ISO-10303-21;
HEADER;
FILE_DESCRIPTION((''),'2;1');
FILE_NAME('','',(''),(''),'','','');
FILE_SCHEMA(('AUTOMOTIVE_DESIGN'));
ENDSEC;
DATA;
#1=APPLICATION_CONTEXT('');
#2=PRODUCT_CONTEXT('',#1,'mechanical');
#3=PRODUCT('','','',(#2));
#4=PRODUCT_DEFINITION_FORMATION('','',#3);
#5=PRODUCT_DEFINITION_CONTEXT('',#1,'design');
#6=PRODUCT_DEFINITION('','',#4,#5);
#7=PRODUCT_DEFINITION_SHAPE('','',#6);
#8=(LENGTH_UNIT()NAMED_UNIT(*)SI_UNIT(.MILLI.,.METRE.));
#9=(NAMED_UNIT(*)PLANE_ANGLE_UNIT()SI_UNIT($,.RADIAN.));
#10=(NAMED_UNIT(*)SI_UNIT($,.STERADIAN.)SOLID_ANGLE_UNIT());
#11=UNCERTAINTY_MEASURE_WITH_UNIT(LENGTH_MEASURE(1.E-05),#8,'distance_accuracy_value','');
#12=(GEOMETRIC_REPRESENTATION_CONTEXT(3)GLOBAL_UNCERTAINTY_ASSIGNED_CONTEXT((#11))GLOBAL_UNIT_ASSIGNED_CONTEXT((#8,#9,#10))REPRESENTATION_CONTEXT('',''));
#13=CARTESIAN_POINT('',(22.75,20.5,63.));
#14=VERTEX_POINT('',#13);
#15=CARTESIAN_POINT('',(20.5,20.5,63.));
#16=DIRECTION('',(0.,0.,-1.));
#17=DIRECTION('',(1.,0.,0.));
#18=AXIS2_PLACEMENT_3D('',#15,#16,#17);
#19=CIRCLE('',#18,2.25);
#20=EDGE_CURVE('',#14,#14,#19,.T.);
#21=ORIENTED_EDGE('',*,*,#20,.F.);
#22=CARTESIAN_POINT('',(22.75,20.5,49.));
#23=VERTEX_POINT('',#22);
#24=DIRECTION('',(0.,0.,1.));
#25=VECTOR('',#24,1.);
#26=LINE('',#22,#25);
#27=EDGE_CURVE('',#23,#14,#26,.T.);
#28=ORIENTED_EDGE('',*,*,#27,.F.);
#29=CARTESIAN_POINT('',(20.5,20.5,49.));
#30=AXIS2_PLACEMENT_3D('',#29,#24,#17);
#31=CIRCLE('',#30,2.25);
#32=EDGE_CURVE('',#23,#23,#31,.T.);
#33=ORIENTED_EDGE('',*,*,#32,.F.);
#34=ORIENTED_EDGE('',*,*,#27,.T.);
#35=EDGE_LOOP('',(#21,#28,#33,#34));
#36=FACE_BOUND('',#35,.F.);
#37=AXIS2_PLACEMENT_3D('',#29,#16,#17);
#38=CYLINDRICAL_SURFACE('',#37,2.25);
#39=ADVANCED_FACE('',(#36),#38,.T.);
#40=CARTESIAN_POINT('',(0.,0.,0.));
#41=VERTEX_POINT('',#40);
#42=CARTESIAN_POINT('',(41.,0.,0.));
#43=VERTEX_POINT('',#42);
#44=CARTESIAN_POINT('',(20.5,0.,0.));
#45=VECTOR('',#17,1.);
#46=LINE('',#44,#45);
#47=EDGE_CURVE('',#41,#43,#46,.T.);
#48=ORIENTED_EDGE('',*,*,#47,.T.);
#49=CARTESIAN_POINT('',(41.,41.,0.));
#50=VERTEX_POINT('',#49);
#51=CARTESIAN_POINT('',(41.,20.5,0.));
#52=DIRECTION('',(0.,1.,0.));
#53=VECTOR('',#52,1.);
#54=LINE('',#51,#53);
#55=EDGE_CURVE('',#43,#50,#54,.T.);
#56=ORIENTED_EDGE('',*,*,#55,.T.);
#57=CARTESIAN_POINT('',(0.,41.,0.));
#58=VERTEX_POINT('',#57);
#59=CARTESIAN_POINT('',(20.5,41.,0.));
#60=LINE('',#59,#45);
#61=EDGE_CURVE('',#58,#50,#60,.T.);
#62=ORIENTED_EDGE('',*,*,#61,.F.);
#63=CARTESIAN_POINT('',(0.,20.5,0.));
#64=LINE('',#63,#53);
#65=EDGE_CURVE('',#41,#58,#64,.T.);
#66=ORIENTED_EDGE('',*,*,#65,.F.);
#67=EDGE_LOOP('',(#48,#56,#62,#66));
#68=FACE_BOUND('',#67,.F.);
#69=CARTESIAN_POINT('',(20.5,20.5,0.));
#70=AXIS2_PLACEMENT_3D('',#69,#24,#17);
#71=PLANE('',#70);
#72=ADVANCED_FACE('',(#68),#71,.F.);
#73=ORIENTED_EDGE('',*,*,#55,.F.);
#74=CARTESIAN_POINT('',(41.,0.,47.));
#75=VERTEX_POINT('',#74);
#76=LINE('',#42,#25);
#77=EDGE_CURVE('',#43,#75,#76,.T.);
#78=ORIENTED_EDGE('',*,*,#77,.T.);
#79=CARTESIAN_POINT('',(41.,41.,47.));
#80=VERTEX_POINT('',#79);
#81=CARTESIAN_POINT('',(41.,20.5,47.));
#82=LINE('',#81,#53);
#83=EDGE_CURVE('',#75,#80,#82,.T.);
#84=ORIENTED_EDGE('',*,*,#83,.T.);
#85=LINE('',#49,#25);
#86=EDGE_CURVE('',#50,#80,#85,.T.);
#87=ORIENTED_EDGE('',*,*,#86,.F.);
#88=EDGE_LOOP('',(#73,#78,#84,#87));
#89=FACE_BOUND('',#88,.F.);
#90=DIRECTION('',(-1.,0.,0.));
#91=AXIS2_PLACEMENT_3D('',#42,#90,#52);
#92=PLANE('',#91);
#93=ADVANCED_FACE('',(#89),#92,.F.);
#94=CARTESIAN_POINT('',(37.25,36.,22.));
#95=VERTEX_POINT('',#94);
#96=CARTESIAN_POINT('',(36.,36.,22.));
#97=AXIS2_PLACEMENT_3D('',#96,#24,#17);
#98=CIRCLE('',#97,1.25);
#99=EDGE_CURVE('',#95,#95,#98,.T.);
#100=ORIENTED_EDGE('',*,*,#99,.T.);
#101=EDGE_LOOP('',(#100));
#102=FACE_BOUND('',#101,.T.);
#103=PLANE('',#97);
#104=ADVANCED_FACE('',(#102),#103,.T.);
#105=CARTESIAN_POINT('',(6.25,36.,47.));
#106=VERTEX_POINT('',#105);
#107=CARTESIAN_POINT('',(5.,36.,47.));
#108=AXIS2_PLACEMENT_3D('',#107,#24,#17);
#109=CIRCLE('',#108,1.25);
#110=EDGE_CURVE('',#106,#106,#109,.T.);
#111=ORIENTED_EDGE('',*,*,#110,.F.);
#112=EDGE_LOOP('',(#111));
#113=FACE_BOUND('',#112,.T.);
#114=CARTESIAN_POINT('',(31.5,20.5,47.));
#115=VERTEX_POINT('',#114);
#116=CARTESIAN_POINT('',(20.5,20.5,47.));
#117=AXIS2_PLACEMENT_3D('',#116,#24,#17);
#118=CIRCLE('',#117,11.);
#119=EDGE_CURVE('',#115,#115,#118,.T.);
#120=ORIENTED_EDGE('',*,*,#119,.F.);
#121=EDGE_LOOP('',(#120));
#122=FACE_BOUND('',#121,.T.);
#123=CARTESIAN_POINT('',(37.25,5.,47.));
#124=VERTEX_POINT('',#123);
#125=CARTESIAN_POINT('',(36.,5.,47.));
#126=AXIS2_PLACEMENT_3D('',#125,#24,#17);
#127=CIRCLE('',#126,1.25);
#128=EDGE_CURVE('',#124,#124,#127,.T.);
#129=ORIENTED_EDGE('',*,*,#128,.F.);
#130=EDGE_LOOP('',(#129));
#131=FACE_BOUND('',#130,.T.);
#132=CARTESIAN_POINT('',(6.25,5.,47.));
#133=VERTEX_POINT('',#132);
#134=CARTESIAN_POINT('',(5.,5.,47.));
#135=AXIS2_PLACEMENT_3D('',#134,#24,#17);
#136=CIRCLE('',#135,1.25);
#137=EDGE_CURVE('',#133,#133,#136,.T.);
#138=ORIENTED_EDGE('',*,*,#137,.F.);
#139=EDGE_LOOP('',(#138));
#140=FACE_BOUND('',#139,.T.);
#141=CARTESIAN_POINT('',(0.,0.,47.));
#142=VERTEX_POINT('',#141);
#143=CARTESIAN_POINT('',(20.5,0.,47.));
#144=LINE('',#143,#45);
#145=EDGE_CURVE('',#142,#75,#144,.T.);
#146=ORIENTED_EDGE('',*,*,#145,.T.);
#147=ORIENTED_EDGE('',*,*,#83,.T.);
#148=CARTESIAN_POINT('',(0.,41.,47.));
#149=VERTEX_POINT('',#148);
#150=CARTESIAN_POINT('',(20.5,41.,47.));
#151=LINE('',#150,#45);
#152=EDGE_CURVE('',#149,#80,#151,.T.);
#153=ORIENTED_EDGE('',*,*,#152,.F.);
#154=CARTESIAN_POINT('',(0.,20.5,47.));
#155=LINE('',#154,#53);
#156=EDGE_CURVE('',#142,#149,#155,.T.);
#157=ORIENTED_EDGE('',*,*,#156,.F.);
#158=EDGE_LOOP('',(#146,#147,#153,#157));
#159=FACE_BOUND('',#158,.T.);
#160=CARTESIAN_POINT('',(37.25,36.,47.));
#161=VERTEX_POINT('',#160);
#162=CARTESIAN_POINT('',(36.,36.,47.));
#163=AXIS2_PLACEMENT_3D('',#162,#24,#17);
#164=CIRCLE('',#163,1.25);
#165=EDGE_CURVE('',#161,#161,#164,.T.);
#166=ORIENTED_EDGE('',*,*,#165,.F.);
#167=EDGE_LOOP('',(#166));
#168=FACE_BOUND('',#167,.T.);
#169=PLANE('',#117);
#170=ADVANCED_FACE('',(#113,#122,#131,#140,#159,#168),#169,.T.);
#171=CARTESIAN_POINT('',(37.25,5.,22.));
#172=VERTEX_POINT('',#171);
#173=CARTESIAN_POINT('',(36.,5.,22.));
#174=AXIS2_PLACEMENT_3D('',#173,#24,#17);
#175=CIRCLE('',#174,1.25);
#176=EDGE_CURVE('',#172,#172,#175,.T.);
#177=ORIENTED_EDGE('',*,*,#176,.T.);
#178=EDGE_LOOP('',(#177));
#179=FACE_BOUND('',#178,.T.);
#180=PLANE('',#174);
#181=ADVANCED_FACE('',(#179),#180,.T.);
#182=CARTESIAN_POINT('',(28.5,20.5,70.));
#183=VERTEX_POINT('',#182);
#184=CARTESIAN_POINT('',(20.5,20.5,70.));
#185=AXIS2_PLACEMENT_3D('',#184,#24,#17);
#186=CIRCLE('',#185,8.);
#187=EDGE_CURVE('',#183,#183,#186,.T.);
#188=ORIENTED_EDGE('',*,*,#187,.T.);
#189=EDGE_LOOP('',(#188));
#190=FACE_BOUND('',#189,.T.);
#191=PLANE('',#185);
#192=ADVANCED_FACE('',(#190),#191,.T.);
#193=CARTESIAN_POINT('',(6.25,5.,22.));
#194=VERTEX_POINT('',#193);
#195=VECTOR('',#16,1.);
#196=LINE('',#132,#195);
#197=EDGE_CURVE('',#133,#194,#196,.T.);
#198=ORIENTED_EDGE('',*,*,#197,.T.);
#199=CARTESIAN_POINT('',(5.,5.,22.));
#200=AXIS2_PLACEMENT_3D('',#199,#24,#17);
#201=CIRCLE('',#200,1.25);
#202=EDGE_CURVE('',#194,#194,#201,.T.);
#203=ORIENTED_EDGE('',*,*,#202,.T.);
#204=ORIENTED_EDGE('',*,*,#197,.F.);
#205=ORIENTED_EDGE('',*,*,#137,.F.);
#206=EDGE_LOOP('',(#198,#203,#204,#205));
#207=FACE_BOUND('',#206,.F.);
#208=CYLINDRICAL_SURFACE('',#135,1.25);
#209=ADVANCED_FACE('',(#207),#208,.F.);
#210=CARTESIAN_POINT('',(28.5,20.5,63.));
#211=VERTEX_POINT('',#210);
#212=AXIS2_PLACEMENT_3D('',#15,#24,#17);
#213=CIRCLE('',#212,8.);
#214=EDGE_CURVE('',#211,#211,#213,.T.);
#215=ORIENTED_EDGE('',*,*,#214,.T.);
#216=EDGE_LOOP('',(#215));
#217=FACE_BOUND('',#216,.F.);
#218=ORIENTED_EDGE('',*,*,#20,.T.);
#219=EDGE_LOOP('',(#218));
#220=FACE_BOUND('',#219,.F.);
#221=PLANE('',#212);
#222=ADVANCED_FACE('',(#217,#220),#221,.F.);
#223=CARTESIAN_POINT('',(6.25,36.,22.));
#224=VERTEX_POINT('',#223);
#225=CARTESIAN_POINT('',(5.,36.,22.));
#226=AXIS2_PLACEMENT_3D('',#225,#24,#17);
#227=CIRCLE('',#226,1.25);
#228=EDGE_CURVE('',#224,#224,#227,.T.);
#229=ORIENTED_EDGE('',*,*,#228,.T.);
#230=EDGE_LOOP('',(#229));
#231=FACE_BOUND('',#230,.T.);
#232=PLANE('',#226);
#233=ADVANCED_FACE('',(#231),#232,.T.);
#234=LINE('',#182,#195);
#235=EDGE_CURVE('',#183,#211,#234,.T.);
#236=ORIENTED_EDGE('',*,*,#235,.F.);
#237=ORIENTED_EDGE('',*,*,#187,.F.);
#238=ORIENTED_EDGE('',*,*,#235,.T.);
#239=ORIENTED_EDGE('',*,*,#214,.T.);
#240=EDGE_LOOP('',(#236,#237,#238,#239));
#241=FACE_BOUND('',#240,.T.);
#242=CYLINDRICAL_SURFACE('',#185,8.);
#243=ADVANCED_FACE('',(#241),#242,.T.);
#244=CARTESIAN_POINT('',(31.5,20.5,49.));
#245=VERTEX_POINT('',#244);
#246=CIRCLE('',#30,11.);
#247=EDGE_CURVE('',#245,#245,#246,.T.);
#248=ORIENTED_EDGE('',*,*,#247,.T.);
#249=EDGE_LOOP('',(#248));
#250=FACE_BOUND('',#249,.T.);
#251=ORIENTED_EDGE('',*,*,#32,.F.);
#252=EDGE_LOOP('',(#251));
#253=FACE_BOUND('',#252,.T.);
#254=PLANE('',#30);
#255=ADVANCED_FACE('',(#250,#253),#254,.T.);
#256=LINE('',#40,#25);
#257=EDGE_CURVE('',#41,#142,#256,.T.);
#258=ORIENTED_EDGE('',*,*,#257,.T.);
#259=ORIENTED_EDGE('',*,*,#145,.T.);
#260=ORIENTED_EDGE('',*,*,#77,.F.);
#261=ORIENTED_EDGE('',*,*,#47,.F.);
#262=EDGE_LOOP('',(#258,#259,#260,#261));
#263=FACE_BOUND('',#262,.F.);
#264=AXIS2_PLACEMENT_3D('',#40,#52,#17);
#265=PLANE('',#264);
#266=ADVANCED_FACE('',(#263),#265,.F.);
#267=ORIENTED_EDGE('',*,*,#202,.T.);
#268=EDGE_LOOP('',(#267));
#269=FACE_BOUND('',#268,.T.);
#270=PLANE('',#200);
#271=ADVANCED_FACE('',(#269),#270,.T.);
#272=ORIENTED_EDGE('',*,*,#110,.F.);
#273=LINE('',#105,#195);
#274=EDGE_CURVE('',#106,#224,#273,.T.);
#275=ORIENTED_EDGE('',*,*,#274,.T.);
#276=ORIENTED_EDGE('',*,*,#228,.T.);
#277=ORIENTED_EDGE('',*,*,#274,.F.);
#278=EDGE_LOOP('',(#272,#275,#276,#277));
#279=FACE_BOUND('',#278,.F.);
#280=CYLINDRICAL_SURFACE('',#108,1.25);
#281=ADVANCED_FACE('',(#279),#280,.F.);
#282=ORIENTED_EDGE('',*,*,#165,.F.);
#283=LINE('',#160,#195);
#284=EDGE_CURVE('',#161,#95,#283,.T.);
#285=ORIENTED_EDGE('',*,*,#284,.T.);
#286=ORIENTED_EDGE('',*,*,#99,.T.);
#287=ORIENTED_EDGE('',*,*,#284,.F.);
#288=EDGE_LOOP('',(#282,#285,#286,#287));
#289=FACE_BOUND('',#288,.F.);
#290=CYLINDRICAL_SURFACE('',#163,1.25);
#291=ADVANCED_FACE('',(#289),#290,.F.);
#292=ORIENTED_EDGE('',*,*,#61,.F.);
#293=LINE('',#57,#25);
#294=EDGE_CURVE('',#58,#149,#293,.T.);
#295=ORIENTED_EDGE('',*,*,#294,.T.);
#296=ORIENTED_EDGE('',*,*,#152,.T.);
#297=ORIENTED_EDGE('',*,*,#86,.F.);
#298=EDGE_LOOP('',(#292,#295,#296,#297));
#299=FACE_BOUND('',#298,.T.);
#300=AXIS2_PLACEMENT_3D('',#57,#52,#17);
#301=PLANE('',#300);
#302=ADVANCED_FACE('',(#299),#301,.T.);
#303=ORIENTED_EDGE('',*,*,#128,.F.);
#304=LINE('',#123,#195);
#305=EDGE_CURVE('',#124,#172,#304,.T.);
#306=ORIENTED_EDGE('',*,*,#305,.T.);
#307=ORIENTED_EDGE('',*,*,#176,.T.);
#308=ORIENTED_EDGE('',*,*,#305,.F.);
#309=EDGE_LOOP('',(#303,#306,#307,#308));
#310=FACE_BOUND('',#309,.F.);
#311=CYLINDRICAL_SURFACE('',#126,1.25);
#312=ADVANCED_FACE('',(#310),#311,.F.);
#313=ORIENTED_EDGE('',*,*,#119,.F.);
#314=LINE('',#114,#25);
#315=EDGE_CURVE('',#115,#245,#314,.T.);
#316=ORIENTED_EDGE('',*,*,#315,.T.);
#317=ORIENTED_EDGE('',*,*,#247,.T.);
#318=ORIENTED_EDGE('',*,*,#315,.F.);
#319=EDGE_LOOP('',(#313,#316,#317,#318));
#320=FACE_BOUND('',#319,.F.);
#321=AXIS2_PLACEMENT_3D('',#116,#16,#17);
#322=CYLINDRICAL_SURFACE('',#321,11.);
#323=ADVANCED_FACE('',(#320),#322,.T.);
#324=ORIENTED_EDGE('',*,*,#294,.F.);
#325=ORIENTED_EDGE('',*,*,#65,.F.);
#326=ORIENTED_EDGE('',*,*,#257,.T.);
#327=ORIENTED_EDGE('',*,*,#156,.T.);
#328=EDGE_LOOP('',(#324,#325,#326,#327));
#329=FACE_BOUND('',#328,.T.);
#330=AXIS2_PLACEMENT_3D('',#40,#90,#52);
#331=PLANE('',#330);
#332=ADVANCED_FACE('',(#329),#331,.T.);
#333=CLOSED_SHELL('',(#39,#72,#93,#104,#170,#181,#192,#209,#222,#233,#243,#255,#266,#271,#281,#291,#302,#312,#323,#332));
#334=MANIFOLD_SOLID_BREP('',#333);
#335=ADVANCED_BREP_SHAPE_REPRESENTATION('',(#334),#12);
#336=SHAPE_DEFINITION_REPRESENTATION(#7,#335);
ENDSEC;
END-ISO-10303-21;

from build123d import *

# Parameters (mm, degrees)
F0_W     = 41
F0_H     = 41
F1_DEPTH = 47
F2_R     = 1.25
F3_DEPTH = 25
F4_R     = 11
F5_DEPTH = 2
F6_R     = 2.25
F7_DEPTH = 21
F8_R     = 8
F9_DEPTH = 7


with BuildPart() as f1:
    # F0 (on Top) → F1 (new body)
    with BuildSketch(Plane.XY):
        with Locations((20.5, 20.5)):
            Rectangle(F0_W, F0_H)
    extrude(amount=F1_DEPTH)

    # F2 (on face) → F3 (cut)
    with BuildSketch(Plane.XY.offset(47)):
        with Locations((5, 5)):
            Circle(F2_R)
        with Locations((36, 5)):
            Circle(F2_R)
        with Locations((36, 36)):
            Circle(F2_R)
        with Locations((5, 36)):
            Circle(F2_R)
    extrude(amount=-F3_DEPTH, mode=Mode.SUBTRACT)

    # F4 (on face) → F5 (join)
    with BuildSketch(Plane.XY.offset(47)):
        with Locations((20.5, 20.5)):
            Circle(F4_R)
    extrude(amount=F5_DEPTH)

    # F6 (on face) → F7 (join)
    with BuildSketch(Plane.XY.offset(49)):
        with Locations((20.5, 20.5)):
            Circle(F6_R)
    extrude(amount=F7_DEPTH)

    # F8 (on face) → F9 (join)
    with BuildSketch(Plane.XY.offset(70)):
        with Locations((20.5, 20.5)):
            Circle(F8_R)
    extrude(amount=-F9_DEPTH)


solid = f1.part
